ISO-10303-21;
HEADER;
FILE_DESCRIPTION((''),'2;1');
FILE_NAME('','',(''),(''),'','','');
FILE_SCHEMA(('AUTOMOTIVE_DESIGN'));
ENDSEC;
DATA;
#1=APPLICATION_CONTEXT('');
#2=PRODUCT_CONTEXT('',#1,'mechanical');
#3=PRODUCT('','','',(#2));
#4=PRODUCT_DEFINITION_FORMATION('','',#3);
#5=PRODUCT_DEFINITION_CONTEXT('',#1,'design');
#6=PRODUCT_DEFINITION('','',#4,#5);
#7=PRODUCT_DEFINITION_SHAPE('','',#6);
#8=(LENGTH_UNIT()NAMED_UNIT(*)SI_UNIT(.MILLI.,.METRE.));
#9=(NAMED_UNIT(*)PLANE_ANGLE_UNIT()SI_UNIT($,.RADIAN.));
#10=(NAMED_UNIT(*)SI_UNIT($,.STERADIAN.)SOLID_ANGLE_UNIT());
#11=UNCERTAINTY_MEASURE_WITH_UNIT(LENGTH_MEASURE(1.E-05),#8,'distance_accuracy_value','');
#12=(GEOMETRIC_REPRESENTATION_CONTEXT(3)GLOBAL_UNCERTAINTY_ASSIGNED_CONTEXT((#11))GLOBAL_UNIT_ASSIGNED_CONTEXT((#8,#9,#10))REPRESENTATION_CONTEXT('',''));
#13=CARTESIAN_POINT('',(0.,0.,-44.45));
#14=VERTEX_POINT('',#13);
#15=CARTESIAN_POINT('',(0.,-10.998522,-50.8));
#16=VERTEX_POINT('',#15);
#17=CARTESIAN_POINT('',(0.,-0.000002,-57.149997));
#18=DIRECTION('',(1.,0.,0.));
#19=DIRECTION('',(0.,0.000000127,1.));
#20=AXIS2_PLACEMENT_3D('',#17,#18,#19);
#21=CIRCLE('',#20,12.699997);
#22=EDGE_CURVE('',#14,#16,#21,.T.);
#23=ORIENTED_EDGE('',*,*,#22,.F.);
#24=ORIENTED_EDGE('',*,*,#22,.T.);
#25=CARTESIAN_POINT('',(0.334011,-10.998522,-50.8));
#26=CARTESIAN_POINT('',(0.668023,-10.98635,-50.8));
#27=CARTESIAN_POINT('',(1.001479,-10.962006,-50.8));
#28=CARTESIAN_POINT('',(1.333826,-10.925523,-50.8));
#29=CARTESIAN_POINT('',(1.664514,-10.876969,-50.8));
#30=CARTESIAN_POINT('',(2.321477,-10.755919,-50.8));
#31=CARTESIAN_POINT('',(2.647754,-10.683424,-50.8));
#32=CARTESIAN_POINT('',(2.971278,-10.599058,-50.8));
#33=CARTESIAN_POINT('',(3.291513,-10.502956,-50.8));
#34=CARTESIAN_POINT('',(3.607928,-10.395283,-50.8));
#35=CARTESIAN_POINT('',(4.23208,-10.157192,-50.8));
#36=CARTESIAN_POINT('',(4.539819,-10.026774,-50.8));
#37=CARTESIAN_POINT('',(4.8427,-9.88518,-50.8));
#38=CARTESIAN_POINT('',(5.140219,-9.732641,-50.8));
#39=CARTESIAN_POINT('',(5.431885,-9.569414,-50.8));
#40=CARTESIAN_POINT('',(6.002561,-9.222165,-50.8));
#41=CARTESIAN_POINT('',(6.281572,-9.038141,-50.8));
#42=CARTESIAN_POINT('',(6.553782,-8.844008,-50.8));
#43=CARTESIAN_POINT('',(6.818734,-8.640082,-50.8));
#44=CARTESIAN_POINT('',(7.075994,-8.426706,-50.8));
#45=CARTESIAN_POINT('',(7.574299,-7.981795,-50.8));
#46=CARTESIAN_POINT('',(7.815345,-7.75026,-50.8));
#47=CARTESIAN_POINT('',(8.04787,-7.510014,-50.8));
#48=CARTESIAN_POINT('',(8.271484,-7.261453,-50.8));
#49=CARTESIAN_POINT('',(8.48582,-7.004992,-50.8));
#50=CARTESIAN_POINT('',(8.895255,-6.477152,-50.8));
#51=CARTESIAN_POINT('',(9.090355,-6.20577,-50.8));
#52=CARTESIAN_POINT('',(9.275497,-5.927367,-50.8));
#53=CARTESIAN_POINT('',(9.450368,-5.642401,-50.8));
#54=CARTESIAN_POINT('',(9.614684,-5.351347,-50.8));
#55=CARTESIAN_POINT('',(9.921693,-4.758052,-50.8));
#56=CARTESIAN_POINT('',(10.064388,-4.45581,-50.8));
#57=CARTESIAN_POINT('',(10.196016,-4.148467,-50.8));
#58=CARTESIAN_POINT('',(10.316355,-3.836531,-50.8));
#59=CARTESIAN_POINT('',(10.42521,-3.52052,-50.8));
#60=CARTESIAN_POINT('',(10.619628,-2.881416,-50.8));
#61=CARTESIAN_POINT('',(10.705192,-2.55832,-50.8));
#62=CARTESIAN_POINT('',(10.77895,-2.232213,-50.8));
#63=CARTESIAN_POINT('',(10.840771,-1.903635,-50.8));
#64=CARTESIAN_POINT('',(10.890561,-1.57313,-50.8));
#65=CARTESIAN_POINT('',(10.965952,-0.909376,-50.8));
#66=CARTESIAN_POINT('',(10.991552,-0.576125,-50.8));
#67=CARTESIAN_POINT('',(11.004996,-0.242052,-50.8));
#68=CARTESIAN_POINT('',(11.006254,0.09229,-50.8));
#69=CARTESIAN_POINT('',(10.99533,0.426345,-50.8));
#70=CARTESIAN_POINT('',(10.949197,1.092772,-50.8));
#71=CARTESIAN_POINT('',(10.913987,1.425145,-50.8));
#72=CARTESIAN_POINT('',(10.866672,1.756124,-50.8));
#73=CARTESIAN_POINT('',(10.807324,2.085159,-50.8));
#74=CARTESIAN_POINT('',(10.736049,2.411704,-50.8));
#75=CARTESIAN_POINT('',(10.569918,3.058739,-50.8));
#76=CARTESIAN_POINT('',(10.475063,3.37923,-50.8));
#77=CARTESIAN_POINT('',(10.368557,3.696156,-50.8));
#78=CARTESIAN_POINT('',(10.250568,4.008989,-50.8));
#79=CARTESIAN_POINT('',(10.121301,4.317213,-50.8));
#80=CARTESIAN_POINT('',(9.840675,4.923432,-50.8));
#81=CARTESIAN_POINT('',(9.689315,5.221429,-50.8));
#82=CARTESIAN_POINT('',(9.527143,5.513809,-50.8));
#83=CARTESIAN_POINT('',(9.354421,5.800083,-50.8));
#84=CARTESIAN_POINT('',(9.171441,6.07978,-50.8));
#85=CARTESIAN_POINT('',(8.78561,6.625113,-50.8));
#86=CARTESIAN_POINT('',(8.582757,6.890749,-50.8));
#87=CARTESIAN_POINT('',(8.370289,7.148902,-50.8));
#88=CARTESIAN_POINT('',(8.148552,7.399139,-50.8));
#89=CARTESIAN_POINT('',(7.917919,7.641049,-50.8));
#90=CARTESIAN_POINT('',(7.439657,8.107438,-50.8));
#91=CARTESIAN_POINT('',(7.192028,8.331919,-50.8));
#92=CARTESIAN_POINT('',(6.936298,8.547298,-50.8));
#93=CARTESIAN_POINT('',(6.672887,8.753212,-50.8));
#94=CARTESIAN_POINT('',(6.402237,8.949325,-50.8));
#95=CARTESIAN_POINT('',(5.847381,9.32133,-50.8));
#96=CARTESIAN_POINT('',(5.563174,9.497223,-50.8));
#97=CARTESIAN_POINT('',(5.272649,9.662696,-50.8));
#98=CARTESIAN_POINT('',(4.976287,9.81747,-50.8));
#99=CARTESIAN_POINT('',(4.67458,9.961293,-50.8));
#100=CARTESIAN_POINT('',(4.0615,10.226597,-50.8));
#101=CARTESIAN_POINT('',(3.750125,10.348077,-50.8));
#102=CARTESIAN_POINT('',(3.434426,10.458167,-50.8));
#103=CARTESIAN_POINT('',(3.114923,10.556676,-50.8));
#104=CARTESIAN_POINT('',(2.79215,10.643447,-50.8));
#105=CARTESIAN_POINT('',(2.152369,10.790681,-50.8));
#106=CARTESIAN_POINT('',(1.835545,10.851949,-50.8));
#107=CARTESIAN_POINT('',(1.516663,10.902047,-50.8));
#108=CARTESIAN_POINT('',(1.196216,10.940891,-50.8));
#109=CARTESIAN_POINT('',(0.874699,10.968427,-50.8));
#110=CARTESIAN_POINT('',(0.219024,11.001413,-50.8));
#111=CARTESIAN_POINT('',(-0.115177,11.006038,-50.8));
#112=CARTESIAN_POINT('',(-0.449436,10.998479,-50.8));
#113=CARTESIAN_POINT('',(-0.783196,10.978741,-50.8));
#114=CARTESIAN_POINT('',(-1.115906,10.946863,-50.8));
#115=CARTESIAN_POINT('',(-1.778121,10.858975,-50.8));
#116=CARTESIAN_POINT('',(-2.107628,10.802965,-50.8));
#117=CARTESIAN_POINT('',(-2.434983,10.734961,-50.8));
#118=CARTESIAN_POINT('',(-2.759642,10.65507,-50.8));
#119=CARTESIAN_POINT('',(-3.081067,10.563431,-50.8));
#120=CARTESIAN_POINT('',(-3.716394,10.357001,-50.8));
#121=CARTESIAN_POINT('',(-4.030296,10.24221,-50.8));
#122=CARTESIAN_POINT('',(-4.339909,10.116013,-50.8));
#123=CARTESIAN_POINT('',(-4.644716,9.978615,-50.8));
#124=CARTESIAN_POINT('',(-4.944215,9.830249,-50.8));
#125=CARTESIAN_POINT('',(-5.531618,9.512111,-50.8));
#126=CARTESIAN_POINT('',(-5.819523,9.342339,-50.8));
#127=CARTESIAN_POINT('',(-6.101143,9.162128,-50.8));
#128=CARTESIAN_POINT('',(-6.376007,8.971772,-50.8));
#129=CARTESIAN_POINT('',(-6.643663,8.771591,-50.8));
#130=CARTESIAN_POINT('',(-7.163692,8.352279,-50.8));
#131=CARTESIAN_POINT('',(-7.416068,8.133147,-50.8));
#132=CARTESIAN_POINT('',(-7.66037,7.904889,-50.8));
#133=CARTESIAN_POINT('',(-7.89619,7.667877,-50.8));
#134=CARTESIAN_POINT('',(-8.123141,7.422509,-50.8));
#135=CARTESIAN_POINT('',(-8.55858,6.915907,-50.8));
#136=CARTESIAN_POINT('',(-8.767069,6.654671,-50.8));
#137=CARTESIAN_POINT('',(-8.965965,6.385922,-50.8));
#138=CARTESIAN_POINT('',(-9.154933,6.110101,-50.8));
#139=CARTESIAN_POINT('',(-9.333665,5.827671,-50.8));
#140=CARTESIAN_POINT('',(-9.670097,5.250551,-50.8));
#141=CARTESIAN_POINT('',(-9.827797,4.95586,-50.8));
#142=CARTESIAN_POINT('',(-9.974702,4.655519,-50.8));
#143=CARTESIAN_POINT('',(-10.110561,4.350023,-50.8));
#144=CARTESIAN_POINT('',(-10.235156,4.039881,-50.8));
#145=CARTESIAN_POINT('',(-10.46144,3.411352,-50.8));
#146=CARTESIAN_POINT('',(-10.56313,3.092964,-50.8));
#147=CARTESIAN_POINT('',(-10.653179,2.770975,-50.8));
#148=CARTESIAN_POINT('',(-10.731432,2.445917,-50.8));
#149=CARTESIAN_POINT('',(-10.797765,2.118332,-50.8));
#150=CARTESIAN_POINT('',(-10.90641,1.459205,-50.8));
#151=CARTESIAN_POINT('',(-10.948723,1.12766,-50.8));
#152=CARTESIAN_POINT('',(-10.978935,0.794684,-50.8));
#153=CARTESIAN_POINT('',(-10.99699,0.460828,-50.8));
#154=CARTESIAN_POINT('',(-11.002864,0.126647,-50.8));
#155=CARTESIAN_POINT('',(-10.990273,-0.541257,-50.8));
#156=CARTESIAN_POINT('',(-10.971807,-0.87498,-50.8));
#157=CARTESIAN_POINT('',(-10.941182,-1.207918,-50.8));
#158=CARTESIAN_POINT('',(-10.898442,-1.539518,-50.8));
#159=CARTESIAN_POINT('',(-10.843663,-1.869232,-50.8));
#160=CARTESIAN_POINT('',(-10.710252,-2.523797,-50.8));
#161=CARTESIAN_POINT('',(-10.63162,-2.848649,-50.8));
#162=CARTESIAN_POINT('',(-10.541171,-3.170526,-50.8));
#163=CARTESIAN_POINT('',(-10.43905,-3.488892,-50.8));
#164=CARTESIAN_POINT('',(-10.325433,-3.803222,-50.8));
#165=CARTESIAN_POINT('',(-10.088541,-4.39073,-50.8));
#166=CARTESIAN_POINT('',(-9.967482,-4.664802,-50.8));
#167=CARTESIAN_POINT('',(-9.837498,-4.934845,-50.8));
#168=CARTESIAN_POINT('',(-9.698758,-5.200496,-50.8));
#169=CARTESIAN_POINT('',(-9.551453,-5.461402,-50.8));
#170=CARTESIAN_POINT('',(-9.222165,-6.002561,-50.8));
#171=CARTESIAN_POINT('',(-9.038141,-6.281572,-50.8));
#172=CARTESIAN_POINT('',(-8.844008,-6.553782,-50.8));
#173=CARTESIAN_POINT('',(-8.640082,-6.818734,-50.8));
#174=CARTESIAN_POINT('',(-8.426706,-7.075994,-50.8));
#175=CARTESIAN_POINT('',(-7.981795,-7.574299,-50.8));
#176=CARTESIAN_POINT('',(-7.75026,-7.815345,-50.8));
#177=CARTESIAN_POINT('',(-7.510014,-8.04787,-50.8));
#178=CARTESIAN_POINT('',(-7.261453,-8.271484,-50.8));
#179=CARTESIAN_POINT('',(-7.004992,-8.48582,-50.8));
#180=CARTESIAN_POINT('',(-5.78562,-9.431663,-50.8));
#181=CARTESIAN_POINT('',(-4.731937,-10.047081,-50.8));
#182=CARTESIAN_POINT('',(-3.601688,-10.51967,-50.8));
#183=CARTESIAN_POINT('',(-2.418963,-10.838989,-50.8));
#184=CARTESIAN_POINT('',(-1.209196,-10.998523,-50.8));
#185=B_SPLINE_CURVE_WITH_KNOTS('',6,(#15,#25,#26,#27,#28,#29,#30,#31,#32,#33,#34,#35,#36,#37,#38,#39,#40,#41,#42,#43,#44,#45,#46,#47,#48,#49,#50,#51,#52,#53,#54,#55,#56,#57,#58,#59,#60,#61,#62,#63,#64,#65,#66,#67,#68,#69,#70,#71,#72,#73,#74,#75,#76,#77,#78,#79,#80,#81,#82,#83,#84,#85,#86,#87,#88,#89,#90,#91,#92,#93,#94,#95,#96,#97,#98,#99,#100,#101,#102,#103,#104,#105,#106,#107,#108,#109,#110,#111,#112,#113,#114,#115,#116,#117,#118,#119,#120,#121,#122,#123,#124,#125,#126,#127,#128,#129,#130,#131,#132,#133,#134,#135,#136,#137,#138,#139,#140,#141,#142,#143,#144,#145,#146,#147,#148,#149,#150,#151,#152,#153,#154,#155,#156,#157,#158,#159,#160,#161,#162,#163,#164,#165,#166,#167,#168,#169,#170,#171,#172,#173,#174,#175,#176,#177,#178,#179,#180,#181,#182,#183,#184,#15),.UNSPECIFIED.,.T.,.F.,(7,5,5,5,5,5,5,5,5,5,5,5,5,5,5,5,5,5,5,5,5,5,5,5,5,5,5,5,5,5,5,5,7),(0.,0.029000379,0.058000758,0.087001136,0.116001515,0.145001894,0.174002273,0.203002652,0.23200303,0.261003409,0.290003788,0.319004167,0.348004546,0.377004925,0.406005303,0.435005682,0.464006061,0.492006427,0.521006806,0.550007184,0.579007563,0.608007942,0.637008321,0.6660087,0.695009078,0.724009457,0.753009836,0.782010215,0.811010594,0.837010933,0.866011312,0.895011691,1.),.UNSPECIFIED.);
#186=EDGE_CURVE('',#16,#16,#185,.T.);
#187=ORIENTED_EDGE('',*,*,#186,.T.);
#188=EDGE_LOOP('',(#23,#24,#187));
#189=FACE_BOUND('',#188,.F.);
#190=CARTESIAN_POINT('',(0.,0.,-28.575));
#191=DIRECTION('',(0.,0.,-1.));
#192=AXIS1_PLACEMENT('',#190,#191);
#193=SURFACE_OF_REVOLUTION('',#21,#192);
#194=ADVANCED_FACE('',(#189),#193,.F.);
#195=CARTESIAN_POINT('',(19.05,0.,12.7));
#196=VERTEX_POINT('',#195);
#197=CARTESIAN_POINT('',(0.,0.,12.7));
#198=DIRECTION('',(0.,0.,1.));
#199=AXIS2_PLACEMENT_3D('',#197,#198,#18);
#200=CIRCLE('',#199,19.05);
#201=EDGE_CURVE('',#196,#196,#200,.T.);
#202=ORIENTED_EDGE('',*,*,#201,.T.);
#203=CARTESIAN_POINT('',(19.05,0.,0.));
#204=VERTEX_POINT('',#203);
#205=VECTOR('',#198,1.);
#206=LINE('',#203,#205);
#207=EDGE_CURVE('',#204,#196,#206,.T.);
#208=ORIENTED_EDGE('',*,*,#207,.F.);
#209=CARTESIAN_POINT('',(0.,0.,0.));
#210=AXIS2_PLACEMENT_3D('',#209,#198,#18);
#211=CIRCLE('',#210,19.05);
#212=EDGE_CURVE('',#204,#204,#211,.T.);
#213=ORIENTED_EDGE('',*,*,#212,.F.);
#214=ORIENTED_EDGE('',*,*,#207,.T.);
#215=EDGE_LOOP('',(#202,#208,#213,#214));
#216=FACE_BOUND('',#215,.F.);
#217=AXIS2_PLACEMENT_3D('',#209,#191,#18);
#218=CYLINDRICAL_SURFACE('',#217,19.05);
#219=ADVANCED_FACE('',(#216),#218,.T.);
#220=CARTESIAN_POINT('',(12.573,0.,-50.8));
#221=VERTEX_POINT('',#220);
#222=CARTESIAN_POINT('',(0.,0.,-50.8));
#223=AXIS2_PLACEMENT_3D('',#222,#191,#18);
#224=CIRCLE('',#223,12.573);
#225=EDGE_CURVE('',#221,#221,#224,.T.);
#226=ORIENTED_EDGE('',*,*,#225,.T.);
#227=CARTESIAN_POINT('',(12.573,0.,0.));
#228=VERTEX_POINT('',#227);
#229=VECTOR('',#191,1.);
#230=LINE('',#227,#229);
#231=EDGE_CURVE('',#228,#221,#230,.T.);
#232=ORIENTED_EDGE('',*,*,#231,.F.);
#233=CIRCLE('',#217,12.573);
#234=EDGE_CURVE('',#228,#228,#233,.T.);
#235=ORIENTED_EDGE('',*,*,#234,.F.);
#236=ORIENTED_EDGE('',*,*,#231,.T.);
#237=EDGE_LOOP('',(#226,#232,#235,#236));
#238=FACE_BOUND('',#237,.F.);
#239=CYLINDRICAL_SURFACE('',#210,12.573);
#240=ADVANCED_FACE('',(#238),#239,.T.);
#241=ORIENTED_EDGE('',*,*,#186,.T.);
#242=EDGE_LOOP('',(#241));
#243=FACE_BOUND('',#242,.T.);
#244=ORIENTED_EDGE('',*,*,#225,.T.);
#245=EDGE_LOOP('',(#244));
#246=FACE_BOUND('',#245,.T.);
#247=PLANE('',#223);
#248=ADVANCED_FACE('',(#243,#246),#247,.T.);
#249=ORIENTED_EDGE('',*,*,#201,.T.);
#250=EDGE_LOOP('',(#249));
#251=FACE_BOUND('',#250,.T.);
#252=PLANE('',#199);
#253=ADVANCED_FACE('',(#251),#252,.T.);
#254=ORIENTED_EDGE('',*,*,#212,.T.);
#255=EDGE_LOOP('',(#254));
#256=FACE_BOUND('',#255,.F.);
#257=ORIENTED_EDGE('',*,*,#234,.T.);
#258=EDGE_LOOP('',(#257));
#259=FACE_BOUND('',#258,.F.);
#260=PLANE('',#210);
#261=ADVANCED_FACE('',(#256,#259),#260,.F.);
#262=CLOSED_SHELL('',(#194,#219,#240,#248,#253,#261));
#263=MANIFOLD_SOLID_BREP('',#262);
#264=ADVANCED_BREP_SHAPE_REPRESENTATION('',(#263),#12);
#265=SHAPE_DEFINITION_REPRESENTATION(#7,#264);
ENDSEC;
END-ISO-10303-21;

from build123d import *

# Parameters (mm, degrees)
F0_R     = 19.05
F1_DEPTH = 12.7
F2_R     = 12.573
F3_DEPTH = 50.8


with BuildPart() as f1:
    # F0 (on Top) → F1 (new body)
    with BuildSketch(Plane.XY):
        Circle(F0_R)
    extrude(amount=F1_DEPTH)

    # F2 (on face) → F3 (join)
    with BuildSketch(Plane(origin=(0, 0, 0), x_dir=(1, 0, 0), z_dir=(0, 0, -1))):
        Circle(F2_R)
    extrude(amount=F3_DEPTH)

    # F4 (on Right) → F5 (revolve, cut)
    with BuildSketch(Plane.YZ):
        with BuildLine():
            Line((0, -51.197763), (0, -44.45))
            ThreePointArc((0, -44.45), (-6.545861, -46.266907), (-11.218773, -51.197763))
            Line((-11.218773, -51.197763), (0, -51.197763))
        make_face()
    revolve(axis=Axis((0, 0, -28.575), (0, 0, -1)), mode=Mode.SUBTRACT)


solid = f1.part
